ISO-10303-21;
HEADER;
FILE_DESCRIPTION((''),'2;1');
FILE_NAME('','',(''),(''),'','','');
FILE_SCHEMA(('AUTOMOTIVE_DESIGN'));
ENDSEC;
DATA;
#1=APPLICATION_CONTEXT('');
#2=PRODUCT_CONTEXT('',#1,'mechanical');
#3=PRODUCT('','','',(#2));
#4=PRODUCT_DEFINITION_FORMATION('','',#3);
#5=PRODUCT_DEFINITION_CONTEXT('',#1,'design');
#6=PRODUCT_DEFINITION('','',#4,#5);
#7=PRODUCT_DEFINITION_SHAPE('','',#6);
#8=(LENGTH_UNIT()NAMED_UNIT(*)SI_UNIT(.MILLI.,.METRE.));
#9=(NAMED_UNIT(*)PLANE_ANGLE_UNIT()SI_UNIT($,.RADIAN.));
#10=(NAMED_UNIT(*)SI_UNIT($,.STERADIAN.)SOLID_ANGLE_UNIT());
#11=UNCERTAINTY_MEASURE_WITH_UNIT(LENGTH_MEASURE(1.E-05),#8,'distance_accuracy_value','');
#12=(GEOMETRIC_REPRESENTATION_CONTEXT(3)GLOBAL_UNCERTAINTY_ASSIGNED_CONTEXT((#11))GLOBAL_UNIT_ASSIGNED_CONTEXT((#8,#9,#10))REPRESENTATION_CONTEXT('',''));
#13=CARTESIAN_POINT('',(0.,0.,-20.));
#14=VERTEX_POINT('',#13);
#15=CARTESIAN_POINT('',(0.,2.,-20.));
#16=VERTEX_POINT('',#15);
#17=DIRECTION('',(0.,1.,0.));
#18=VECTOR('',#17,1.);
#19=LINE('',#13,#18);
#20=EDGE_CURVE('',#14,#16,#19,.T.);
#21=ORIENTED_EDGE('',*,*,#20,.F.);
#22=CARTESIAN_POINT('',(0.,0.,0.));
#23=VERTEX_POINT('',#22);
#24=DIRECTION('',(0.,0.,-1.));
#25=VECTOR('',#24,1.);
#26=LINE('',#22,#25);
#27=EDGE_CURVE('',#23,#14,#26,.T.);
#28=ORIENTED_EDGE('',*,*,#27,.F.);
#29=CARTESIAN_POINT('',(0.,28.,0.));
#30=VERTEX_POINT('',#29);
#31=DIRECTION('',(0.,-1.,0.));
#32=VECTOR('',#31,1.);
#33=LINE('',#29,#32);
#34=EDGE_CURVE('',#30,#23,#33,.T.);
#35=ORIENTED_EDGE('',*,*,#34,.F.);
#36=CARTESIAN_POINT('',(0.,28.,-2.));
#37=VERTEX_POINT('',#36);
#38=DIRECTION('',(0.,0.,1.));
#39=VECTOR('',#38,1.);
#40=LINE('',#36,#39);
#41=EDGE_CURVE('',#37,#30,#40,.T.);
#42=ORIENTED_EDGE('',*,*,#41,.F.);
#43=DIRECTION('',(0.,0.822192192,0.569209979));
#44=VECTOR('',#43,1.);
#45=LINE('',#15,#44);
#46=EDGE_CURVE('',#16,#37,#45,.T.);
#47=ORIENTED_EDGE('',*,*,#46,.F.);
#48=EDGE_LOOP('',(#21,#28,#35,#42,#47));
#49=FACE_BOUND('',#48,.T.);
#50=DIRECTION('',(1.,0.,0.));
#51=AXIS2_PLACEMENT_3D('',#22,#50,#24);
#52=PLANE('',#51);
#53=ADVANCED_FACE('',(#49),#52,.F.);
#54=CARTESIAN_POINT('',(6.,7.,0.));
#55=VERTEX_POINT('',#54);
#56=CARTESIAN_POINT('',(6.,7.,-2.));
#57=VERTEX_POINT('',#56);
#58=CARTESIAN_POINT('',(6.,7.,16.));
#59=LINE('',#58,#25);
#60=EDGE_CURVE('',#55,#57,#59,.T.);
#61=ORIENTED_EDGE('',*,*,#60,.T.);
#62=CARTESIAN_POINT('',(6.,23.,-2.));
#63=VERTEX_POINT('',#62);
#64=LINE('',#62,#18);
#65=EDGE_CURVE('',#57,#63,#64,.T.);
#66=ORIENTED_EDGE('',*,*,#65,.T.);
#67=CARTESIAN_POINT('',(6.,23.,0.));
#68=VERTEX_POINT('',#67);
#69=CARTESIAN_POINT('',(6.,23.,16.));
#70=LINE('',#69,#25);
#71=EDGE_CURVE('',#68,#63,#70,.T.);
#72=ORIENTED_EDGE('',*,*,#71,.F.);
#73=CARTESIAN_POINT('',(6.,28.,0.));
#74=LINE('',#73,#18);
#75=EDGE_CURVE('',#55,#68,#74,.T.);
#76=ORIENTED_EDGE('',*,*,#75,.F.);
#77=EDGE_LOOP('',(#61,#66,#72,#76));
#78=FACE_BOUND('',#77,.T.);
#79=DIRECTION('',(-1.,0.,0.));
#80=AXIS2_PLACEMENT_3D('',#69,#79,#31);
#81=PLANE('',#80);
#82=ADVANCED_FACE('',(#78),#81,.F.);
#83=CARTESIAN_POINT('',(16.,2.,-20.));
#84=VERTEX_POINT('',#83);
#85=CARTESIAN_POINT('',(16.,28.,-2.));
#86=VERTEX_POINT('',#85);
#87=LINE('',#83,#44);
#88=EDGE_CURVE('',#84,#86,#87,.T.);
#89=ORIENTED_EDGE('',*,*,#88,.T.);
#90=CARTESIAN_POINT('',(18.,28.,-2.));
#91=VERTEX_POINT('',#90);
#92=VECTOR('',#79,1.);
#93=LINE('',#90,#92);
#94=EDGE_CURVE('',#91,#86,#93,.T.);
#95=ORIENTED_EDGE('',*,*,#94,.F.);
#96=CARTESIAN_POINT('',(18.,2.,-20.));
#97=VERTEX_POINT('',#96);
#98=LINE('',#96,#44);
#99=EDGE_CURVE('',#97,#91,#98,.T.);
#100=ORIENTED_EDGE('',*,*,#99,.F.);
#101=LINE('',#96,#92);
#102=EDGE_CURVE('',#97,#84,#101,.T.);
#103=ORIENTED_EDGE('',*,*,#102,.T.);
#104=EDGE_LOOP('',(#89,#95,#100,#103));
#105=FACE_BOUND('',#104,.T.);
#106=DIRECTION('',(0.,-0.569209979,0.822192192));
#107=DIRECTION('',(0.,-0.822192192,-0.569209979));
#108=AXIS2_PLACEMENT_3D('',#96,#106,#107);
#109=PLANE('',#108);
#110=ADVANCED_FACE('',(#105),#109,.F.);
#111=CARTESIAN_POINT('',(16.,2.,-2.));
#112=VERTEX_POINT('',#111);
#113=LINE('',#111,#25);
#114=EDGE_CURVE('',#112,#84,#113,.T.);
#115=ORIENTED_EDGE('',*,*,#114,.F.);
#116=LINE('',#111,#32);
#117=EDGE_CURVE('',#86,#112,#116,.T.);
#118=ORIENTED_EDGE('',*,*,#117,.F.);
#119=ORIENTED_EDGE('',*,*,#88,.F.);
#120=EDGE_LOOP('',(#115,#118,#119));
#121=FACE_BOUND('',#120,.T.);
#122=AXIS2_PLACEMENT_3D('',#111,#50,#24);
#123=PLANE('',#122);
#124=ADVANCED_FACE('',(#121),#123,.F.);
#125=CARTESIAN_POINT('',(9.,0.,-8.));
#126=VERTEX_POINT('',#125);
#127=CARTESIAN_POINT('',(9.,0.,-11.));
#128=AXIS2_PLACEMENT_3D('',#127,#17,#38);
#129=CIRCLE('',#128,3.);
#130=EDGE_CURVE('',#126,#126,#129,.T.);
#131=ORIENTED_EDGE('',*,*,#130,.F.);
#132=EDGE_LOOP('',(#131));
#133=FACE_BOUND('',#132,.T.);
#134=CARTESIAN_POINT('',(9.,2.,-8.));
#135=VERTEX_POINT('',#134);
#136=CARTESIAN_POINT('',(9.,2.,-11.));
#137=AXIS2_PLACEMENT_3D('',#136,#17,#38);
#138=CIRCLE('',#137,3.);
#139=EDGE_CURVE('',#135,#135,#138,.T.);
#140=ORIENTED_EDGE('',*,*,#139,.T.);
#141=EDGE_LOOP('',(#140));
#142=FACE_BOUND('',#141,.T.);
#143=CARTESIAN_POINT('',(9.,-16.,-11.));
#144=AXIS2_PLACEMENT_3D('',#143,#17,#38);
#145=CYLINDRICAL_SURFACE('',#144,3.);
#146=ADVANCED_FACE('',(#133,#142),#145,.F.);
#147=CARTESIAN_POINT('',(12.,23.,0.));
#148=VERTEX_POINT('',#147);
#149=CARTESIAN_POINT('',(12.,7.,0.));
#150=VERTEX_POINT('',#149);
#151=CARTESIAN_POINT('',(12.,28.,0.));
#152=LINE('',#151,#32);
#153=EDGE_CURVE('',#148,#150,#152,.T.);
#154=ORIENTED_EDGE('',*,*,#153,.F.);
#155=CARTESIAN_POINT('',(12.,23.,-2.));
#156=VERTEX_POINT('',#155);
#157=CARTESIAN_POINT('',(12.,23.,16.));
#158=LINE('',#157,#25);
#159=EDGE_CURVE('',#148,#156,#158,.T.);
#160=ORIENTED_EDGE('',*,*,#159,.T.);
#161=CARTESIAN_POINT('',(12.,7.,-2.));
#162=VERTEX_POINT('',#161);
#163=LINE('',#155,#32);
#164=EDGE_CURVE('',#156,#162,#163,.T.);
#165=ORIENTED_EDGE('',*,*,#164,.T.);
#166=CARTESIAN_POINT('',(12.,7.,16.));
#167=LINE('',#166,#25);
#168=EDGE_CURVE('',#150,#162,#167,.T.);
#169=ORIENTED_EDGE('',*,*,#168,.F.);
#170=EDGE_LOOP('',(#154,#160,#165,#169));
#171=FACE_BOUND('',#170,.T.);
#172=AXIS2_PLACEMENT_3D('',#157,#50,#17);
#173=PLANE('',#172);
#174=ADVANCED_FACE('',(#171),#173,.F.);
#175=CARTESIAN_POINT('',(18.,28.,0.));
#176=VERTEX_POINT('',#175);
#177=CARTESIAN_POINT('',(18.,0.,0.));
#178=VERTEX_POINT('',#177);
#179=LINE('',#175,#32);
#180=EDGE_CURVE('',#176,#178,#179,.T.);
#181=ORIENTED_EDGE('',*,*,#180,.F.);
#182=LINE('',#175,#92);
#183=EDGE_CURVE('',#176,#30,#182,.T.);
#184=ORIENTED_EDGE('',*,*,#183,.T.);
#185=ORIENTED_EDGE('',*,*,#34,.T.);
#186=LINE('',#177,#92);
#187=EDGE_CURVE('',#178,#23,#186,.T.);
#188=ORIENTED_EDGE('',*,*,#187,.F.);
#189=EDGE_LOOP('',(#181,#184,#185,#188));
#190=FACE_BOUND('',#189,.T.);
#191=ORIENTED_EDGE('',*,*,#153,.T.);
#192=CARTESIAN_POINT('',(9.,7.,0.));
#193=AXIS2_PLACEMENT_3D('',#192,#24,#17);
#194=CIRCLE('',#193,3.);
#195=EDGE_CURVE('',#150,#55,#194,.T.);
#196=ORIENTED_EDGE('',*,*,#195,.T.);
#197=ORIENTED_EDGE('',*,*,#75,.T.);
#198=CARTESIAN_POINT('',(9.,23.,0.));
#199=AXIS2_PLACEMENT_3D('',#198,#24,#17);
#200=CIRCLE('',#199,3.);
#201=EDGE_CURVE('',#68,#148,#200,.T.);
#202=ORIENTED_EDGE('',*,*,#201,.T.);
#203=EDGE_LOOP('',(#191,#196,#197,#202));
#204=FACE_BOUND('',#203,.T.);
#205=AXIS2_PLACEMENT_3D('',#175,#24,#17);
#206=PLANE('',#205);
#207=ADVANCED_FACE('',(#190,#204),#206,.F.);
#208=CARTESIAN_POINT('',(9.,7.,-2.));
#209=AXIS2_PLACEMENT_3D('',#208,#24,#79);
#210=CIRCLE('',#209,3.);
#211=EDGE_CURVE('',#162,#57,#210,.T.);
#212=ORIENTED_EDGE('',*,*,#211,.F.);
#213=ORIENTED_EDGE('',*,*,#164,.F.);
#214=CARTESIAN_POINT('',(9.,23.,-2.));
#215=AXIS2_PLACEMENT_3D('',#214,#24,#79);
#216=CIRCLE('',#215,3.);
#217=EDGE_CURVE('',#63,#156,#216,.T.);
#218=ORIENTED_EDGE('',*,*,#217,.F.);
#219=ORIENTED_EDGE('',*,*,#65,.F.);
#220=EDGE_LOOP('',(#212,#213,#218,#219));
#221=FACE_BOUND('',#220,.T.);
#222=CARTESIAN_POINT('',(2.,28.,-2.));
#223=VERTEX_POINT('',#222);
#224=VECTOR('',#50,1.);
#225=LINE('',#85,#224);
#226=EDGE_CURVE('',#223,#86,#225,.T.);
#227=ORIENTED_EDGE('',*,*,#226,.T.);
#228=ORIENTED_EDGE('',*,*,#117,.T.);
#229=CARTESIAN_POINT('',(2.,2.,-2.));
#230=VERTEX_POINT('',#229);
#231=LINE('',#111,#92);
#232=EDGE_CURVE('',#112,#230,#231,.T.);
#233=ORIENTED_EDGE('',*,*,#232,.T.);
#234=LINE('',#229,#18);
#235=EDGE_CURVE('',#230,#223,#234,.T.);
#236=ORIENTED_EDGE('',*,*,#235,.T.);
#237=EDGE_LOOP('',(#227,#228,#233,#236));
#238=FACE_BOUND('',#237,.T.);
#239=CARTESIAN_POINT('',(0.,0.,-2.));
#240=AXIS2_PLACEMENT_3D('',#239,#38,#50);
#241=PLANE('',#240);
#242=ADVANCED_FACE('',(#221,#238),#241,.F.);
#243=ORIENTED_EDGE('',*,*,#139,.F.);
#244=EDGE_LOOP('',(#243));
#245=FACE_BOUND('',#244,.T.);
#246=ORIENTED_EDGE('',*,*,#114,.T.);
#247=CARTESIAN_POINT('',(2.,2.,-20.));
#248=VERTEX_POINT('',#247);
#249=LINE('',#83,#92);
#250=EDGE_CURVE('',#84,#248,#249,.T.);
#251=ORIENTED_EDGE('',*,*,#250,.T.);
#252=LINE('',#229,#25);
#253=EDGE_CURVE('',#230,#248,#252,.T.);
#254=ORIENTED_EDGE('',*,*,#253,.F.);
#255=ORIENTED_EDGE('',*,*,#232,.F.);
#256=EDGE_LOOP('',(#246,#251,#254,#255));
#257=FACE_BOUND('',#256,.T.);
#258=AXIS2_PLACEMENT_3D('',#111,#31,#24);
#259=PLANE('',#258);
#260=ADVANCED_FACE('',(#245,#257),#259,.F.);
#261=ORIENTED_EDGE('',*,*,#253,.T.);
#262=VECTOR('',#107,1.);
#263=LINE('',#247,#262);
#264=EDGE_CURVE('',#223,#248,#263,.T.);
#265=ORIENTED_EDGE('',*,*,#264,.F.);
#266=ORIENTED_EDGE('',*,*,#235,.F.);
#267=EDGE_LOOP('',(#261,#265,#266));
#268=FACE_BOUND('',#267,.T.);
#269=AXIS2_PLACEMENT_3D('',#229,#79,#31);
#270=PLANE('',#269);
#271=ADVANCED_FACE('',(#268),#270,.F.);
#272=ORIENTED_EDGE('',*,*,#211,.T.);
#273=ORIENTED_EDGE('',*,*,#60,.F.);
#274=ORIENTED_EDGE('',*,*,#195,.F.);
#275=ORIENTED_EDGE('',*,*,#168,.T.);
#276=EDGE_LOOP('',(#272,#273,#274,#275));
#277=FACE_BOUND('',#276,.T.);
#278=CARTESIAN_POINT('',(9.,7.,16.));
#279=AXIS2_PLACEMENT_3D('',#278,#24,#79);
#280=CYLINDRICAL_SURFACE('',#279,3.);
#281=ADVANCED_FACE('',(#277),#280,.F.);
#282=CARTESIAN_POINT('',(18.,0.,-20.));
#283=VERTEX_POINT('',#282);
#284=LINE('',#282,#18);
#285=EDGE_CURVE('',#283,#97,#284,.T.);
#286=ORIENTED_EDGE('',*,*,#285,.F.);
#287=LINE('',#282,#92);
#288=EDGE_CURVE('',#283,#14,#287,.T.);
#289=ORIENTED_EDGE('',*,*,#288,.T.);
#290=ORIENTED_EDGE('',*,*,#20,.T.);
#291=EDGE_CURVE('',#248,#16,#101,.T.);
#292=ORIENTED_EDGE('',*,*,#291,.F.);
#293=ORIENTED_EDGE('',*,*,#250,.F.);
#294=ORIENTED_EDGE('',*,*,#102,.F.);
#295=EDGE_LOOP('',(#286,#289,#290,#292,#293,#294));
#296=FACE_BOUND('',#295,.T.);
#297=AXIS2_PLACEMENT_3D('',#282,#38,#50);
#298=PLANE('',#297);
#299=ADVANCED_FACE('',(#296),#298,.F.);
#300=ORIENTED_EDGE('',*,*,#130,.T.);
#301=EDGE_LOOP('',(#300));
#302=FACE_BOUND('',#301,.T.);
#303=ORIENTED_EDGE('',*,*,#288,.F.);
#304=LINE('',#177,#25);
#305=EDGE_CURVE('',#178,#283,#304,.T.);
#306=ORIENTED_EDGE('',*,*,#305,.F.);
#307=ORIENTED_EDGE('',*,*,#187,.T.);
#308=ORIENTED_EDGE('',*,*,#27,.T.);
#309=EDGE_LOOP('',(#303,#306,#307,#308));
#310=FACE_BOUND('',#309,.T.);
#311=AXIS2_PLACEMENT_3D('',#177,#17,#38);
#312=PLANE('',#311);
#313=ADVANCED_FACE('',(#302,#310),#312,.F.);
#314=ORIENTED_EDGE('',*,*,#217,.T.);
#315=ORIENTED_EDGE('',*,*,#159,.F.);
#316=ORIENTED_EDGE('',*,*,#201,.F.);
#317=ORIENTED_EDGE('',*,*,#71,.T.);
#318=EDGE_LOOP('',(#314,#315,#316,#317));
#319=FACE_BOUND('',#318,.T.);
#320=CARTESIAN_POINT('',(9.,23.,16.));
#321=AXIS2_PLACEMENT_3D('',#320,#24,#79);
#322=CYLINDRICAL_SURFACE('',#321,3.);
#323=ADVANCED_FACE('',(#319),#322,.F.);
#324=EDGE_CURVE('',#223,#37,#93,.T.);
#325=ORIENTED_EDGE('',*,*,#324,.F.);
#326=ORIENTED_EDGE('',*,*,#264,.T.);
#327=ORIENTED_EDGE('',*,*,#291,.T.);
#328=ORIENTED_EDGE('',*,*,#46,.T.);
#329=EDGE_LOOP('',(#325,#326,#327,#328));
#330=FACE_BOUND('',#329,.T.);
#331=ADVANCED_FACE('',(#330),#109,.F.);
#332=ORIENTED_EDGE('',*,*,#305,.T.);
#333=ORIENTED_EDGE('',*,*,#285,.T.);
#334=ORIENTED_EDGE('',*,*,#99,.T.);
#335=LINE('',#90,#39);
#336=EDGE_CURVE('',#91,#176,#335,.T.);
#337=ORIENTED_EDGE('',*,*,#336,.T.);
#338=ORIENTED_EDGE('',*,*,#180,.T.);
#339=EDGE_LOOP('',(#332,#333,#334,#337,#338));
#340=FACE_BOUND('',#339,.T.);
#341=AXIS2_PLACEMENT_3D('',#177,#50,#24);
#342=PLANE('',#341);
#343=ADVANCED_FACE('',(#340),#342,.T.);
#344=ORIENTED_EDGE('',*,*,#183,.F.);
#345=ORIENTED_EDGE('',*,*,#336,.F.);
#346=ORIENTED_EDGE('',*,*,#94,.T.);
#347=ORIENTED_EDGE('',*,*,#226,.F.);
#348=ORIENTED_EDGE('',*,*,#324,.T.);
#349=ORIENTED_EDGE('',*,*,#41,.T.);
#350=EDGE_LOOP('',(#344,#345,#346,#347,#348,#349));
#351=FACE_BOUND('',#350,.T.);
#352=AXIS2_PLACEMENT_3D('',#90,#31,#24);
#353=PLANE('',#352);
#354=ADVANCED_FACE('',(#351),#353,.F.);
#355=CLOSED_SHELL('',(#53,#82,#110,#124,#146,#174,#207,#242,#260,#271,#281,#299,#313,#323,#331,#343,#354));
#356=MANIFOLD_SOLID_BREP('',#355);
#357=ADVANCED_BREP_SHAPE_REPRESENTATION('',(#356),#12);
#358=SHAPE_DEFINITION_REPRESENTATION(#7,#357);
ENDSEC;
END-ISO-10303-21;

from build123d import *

# Parameters (mm, degrees)
EXTRUDE_1_DEPTH     = 18
SKETCH_2_W          = 14
SKETCH_2_H          = 26
CUT_EXTRUDE_1_DEPTH = 18
CUT_EXTRUDE_2_DEPTH = 18
SKETCH_4_R          = 3
CUT_EXTRUDE_3_DEPTH = 18


with BuildPart() as part:
    # 스케치1 → 보스-돌출1 (new body)
    with BuildSketch(Plane(origin=(0, 0, 0), x_dir=(0, 0, -1), z_dir=(1, 0, 0))):
        Polygon((0, 0), (20, 0), (20, 2), (2, 28), (0, 28), align=None)
    extrude(amount=EXTRUDE_1_DEPTH)

    # 스케치2 → 컷-돌출1 (cut)
    with BuildSketch(Plane(origin=(0, 0, -20), x_dir=(-1, 0, 0), z_dir=(0, 0, -1))):
        with Locations((-9, 15)):
            Rectangle(SKETCH_2_W, SKETCH_2_H)
    extrude(amount=-CUT_EXTRUDE_1_DEPTH, mode=Mode.SUBTRACT)

    # 스케치3 → 컷-돌출2 (cut)
    with BuildSketch(Plane(origin=(0, 0, -2), x_dir=(-1, 0, 0), z_dir=(0, 0, -1))):
        with BuildLine():
            Line((-6, 23), (-6, 7))
            ThreePointArc((-6, 7), (-9, 4), (-12, 7))
            Line((-12, 7), (-12, 23))
            ThreePointArc((-12, 23), (-9, 26), (-6, 23))
        make_face()
    extrude(amount=-CUT_EXTRUDE_2_DEPTH, mode=Mode.SUBTRACT)

    # 스케치4 → 컷-돌출3 (cut)
    with BuildSketch(Plane(origin=(0, 2, 0), x_dir=(1, 0, 0), z_dir=(0, 1, 0))):
        with Locations(Location((9, 11, 0), (0, 0, 270))):
            Circle(SKETCH_4_R)
    extrude(amount=-CUT_EXTRUDE_3_DEPTH, mode=Mode.SUBTRACT)


solid = part.part
